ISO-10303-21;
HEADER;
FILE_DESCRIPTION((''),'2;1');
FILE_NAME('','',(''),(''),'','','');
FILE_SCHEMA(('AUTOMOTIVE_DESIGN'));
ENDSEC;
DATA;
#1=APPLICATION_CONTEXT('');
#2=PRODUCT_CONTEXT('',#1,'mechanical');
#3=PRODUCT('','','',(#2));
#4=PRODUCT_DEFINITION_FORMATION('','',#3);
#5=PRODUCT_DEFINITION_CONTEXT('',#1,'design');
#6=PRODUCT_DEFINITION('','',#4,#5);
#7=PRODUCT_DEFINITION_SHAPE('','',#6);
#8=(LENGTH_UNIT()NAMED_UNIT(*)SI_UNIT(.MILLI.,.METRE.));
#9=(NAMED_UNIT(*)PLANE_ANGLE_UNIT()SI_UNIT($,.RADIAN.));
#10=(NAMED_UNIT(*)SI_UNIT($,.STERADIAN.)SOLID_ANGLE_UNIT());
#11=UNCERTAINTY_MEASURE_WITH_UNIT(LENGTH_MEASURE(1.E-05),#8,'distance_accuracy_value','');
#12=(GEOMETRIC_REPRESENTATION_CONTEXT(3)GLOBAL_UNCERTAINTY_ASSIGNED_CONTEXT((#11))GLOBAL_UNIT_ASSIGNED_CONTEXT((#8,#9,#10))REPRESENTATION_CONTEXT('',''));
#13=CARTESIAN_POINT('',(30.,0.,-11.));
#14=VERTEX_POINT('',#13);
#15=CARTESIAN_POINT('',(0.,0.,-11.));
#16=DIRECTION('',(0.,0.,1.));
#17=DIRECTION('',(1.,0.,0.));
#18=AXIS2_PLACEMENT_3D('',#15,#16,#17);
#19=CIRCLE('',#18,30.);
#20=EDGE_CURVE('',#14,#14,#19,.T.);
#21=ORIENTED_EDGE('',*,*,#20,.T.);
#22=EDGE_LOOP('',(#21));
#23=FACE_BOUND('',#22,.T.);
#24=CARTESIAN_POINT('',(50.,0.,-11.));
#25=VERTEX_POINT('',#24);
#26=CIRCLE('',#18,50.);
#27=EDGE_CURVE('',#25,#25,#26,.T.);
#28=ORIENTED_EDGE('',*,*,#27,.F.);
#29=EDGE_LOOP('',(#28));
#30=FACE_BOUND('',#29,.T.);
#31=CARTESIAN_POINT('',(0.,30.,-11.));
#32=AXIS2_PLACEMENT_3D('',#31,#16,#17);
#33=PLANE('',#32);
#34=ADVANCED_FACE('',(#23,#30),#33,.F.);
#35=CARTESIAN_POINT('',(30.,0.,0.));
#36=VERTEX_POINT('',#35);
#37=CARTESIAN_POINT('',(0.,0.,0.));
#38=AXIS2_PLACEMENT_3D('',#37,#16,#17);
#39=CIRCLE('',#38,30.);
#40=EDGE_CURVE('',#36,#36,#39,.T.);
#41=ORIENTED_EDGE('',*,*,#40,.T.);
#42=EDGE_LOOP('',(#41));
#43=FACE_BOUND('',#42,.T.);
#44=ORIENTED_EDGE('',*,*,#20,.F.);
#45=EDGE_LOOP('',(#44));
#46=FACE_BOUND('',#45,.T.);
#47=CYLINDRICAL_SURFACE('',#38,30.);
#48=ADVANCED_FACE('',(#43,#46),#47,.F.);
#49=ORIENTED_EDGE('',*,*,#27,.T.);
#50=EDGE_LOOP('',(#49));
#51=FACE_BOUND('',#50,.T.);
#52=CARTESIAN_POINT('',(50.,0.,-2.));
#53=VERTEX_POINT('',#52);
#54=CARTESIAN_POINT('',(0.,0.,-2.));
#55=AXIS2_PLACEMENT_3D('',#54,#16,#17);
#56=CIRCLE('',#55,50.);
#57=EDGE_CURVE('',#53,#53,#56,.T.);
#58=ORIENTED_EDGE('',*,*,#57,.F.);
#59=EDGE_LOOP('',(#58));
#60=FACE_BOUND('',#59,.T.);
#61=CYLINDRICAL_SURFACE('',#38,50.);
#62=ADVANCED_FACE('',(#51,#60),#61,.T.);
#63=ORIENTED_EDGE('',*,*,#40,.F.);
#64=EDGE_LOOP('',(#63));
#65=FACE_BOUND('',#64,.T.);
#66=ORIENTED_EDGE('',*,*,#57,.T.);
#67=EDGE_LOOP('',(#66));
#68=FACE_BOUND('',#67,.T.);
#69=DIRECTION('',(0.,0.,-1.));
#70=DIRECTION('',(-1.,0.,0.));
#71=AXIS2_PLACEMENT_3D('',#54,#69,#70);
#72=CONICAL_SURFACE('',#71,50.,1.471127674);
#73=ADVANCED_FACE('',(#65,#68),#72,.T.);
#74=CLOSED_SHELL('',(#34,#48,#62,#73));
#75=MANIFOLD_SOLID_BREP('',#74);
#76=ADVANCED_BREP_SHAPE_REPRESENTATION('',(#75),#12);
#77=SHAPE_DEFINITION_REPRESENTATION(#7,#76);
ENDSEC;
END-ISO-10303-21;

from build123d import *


with BuildPart() as part:
    # Sketch1 → Revolve1 (revolve)
    with BuildSketch(Plane(origin=(0, 0, 0), x_dir=(0, 0, -1), z_dir=(1, 0, 0)), mode=Mode.PRIVATE) as revolve1_sk:
        Polygon((0, 30), (11, 30), (11, 50), (2, 50), align=None)
    revolve(revolve1_sk.sketch.rotate(Axis((0, 0, 0), (0, 0, -1)), 90), axis=Axis((0, 0, 0), (0, 0, -1)))


solid = part.part
